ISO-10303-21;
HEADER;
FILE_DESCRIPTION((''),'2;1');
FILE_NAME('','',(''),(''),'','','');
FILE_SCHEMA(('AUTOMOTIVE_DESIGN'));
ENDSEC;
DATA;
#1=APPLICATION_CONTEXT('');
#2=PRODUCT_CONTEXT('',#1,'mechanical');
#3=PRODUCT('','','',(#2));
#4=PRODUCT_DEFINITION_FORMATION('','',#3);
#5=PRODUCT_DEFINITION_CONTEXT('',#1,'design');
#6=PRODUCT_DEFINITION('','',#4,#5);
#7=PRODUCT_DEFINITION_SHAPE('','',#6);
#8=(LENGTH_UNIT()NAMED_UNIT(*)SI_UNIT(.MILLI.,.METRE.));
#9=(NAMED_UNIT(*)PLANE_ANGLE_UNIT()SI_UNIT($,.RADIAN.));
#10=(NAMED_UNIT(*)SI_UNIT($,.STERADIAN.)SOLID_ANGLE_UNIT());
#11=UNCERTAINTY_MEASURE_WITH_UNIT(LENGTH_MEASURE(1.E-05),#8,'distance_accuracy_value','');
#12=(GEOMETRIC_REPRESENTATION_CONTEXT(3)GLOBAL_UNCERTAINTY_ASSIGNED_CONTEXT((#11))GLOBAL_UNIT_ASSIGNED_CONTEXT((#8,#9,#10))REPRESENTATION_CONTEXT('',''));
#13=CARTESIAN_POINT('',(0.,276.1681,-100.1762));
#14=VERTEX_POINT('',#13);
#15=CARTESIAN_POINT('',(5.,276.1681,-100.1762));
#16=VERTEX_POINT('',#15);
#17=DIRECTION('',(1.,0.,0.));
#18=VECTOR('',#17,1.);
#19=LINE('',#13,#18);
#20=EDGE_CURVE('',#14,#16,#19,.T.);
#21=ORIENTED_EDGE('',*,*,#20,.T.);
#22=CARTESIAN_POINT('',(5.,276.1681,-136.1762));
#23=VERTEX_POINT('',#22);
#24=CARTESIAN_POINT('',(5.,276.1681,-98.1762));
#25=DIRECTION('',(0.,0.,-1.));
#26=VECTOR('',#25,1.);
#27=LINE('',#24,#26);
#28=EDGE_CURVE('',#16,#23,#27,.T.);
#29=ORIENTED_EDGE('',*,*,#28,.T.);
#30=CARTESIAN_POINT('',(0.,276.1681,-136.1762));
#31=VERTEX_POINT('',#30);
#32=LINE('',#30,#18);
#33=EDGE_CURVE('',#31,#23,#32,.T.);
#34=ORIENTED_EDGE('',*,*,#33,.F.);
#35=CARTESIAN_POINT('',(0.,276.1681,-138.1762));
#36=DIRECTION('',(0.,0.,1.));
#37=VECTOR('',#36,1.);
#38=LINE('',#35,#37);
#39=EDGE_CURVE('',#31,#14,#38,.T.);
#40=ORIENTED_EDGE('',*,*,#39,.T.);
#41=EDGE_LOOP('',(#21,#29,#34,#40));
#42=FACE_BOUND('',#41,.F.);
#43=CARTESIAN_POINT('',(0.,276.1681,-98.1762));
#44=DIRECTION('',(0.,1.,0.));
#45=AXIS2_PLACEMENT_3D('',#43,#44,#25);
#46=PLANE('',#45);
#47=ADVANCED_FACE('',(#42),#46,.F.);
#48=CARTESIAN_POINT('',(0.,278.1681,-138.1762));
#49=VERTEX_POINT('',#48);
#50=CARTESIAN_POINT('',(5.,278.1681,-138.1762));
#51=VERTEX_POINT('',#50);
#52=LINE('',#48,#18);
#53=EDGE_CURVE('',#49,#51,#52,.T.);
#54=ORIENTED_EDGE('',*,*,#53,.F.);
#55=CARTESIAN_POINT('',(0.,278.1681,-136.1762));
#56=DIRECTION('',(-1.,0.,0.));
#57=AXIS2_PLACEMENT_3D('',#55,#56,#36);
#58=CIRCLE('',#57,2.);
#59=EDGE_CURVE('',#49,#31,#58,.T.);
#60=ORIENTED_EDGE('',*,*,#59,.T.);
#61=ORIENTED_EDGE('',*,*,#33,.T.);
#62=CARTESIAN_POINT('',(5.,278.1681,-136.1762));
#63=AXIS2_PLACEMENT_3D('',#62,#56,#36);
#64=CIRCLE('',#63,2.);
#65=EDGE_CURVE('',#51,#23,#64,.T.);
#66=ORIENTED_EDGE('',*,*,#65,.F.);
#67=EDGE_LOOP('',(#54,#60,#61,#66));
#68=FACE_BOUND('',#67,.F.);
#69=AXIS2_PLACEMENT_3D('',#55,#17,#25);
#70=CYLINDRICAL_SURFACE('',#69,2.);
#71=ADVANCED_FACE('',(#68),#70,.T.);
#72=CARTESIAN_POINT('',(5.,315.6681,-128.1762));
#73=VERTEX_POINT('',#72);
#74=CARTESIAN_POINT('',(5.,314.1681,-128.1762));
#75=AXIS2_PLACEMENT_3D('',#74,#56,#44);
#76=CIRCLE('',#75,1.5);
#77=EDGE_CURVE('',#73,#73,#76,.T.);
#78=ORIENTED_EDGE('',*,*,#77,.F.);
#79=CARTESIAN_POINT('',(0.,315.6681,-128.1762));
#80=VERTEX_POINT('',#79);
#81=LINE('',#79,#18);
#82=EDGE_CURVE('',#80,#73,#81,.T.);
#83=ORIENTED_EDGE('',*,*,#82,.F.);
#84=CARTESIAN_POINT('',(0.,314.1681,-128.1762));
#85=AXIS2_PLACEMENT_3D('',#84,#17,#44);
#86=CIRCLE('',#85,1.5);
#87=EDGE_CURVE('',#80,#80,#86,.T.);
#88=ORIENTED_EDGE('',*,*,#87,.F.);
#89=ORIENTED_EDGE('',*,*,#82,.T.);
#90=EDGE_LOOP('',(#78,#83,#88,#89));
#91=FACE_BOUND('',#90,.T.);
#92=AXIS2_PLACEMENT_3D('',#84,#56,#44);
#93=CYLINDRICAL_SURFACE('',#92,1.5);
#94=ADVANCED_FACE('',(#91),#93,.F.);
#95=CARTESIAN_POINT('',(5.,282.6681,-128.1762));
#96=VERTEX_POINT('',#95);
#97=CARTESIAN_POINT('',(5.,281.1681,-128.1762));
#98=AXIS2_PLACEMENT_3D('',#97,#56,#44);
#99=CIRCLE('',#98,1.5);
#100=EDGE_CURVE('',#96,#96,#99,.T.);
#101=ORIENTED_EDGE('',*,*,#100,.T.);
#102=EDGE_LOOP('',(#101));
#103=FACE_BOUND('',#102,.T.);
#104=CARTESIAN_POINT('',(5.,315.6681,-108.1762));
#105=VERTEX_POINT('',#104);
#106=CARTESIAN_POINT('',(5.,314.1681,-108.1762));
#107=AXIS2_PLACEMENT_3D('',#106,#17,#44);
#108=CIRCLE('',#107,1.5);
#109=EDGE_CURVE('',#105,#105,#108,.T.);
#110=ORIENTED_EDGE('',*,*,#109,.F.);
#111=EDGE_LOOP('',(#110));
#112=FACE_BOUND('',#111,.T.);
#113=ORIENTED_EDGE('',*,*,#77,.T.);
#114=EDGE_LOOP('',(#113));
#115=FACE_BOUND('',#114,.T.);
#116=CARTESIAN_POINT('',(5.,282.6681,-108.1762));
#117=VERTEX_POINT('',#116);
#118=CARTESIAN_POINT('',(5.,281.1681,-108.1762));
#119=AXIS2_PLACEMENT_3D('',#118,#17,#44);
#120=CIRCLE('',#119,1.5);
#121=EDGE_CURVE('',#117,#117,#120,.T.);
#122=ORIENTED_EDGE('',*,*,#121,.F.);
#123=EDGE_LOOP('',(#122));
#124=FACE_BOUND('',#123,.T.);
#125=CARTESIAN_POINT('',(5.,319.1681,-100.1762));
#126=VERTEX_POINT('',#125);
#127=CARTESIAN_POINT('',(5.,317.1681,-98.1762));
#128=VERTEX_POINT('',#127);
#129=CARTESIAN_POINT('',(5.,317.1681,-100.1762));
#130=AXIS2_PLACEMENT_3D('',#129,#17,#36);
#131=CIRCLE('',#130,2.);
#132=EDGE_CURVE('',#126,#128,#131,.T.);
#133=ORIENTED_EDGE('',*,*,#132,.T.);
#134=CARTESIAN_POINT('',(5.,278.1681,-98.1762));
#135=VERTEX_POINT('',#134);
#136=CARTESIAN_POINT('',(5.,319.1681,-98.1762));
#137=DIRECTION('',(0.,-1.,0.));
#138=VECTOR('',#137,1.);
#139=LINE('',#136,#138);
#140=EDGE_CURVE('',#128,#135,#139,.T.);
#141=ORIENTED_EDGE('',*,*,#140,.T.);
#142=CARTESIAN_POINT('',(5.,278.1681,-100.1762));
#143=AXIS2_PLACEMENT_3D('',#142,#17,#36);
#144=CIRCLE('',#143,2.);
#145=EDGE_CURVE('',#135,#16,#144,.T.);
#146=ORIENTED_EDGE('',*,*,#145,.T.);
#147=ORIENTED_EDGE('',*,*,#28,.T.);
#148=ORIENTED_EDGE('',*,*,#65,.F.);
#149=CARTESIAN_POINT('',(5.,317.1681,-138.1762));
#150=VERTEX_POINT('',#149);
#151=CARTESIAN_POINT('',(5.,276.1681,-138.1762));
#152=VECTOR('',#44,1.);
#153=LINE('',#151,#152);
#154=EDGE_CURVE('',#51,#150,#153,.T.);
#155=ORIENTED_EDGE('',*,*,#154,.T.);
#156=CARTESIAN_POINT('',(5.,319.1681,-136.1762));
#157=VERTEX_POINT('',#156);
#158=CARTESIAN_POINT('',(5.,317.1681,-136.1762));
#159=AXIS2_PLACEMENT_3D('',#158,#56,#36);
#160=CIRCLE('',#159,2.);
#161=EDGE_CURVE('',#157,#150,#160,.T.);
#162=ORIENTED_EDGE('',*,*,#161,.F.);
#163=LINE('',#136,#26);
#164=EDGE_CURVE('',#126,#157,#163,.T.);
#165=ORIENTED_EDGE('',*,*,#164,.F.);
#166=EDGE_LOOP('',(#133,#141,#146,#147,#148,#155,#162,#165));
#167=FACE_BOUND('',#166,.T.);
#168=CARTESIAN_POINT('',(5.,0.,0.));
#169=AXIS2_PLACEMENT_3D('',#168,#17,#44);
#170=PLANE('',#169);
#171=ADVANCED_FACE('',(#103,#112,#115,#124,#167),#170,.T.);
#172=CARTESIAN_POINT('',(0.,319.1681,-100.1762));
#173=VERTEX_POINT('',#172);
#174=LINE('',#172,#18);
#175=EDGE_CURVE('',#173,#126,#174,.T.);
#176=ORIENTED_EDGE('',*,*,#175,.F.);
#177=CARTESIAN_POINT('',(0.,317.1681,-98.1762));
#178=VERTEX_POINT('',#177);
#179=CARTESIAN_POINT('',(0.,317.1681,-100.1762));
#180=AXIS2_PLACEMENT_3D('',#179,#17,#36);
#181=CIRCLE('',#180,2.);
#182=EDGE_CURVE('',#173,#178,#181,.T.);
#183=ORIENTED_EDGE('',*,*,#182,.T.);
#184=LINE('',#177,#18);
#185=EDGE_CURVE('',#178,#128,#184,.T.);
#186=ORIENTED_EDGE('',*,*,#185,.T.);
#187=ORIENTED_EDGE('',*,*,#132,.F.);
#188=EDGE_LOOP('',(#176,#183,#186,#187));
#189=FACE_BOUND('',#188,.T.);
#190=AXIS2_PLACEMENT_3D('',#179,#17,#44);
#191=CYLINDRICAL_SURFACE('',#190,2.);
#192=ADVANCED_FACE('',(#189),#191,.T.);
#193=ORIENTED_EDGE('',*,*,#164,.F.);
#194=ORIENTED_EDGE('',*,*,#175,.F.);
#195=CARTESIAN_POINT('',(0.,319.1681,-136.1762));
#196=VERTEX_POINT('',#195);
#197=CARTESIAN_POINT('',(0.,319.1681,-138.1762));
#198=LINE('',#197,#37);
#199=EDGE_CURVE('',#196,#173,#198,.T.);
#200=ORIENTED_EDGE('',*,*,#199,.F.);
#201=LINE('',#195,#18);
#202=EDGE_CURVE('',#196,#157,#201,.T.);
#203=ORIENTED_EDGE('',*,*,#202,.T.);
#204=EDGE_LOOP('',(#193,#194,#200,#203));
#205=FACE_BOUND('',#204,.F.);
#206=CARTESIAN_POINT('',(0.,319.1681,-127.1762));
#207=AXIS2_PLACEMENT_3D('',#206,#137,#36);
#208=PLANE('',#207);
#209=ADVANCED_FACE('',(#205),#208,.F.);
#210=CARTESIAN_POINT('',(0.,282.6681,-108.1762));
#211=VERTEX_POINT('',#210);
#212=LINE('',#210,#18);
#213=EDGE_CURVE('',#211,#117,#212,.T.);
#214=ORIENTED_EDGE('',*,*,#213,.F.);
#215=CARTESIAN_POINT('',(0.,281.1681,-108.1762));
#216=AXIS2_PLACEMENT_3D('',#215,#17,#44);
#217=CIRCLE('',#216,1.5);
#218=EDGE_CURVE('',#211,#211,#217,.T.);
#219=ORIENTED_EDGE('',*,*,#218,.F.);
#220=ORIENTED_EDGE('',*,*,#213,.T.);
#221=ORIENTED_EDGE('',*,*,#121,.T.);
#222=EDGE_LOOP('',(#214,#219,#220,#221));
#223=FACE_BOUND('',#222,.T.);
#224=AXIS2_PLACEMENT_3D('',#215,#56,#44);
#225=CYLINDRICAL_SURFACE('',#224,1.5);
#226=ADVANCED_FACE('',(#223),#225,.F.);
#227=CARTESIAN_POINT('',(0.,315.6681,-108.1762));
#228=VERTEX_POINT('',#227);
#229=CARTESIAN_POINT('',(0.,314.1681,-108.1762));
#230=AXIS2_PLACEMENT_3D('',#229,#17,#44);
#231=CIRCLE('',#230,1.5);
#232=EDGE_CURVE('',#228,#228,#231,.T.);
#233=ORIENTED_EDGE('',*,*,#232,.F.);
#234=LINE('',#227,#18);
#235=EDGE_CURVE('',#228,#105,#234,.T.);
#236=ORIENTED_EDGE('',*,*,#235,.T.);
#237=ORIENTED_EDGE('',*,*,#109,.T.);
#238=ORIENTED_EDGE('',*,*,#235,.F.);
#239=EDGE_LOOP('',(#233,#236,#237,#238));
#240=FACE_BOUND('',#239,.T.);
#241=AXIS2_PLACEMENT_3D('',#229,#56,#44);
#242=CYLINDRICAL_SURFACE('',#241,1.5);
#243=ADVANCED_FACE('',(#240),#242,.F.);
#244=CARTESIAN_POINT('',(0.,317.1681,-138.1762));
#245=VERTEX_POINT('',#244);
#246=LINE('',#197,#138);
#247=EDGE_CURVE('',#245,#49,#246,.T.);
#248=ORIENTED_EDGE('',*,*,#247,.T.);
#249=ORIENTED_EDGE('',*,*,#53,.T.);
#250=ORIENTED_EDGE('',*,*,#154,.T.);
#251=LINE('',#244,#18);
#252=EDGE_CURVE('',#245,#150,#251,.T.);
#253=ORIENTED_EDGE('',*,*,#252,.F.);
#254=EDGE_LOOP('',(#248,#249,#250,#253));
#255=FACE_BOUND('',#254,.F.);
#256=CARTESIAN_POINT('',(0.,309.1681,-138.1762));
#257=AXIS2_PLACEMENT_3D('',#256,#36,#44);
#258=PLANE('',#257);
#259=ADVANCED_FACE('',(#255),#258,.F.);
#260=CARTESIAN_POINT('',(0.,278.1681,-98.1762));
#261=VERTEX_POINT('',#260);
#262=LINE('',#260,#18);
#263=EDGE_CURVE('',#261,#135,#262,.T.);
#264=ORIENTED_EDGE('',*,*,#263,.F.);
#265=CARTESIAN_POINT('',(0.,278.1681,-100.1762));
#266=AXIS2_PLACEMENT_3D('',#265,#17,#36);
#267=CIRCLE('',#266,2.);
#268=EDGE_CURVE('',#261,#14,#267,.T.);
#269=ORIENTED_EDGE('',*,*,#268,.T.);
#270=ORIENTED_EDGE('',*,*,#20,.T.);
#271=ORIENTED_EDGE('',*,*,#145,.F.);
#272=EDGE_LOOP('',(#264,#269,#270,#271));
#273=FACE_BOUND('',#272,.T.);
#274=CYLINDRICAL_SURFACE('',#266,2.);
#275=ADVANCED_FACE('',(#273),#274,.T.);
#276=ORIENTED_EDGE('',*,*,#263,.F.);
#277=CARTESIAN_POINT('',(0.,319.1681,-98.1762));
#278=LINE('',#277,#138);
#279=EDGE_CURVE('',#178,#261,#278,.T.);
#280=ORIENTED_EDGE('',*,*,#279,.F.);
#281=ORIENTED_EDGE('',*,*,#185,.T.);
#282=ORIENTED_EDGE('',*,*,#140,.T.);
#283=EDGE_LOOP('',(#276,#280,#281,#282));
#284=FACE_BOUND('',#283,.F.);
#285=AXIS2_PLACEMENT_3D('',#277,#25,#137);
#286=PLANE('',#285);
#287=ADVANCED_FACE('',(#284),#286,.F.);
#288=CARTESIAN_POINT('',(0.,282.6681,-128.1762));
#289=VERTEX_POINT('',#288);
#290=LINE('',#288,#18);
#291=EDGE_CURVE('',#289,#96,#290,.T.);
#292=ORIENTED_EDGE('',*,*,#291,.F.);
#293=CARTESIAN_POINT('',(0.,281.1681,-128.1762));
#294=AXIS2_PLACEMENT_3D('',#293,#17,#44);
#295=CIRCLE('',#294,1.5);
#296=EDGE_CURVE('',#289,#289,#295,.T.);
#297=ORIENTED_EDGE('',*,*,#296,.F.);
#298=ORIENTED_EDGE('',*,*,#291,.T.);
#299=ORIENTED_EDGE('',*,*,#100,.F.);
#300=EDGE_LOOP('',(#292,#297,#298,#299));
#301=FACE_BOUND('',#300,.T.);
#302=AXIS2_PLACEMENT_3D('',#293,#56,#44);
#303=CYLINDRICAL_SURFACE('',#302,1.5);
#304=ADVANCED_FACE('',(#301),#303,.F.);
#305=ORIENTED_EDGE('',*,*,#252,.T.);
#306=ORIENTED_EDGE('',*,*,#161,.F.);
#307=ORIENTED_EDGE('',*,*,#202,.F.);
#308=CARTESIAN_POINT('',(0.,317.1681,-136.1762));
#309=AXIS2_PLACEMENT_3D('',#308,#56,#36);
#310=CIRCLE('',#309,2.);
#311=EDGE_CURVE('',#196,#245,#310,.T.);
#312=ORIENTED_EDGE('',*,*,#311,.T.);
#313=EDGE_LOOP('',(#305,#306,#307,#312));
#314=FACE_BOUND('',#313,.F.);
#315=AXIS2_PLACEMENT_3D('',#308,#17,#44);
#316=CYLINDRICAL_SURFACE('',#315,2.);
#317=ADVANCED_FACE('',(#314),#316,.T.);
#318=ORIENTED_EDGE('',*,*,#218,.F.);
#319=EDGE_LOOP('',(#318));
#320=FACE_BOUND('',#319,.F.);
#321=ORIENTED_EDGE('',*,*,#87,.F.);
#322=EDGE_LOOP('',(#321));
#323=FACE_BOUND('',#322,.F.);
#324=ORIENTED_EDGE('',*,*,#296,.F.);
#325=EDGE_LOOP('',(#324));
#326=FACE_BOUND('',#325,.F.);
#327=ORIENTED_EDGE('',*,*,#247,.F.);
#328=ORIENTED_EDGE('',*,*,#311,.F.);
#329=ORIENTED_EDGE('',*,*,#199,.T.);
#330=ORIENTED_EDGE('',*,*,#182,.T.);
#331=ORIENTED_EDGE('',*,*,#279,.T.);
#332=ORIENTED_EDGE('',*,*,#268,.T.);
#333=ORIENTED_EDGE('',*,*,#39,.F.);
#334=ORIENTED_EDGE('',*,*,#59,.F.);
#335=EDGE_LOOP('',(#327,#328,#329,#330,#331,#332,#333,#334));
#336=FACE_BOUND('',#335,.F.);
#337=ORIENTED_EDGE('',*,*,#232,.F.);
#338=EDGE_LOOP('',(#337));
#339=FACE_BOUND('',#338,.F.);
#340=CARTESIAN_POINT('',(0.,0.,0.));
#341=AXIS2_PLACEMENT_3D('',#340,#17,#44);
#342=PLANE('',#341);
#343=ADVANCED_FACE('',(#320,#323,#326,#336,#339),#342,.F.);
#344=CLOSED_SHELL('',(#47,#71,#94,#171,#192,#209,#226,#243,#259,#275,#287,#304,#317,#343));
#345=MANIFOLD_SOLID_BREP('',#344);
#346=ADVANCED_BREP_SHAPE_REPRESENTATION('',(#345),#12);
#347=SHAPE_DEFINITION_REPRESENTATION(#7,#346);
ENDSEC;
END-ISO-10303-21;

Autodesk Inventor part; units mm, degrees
ref_plane "YZ Plane" through (0, 0, 0) normal (1, 0, 0) x (0, 1, 0)
ref_plane "XZ Plane" through (0, 0, 0) normal (0, 1, 0) x (-1, 0, 0)
ref_plane "XY Plane" through (0, 0, 0) normal (0, 0, 1) x (1, 0, 0)
sketch "スケッチ2" plane through (0, 0, 0) normal (1, 0, 0) x (0, 1, 0)
  line L0 (-303.8319, -112.1762) -> (-303.8319, -45.1762)
  line L1 (-303.8319, -98.1762) -> (-260.8319, -98.1762)
  line L2 (-260.8319, -98.1762) -> (-260.8319, -138.1762)
  line L3 (-260.8319, -138.1762) -> (-303.8319, -138.1762)
  line L4 (-303.8319, -138.1762) -> (-303.8319, -98.1762)
  line L5 (-260.8319, -97.1762) -> (-260.8319, -127.1762)
  line L6 (-303.8319, -97.1762) -> (-260.8319, -97.1762)
  line L7 (-303.8319, -127.1762) -> (-303.8319, -60.1762)
  line L8 (-303.8319, -118.1762) -> (-260.8319, -118.1762)
  circle A0 centre (-298.8319, -128.1762) radius 1.5
  line L9 (-282.3319, -138.1762) -> (-282.3319, -98.1762)
  circle A1 centre (-298.8319, -108.1762) radius 1.5
  circle A2 centre (-265.8319, -108.1762) radius 1.5
  circle A3 centre (-265.8319, -128.1762) radius 1.5
  line L10 (-303.8319, -127.1762) -> (-293.8319, -127.1762)
  line L11 (-293.8319, -127.1762) -> (-293.8319, -138.1762)
  line L12 (-293.8319, -138.1762) -> (-303.8319, -138.1762)
  line L13 (-303.8319, -138.1762) -> (-303.8319, -127.1762)
  line L14 (-270.8319, -127.1762) -> (-270.8319, -60.1762)
  line L15 (-260.8319, -138.1762) -> (-270.8319, -138.1762)
  line L16 (-270.8319, -138.1762) -> (-270.8319, -127.1762)
  line L17 (-270.8319, -127.1762) -> (-260.8319, -127.1762)
  line L18 (-260.8319, -127.1762) -> (-260.8319, -138.1762)
  line L19 (-169.3319, 147.8238) -> (184.6681, 147.8238)
  line L20 (7.6681, 147.8238) -> (7.6681, -98.1762)
  line L21 (319.1681, -98.1762) -> (276.1681, -98.1762)
  line L22 (319.1681, -138.1762) -> (319.1681, -98.1762)
  line L23 (276.1681, -138.1762) -> (319.1681, -138.1762)
  line L24 (309.1681, -127.1762) -> (309.1681, -138.1762)
  line L25 (319.1681, -127.1762) -> (309.1681, -127.1762)
  circle A4 centre (314.1681, -128.1762) radius 1.5
  circle A5 centre (314.1681, -108.1762) radius 1.5
  circle A6 centre (281.1681, -108.1762) radius 1.5
  circle A7 centre (281.1681, -128.1762) radius 1.5
  line L26 (286.1681, -127.1762) -> (276.1681, -127.1762)
  line L27 (286.1681, -138.1762) -> (286.1681, -127.1762)
  line L28 (276.1681, -98.1762) -> (276.1681, -138.1762)
  point P0 (0, 0)
  point P1 (-272.3319, -112.1762)
  point P2 (-270.8319, -138.1762)
  dimension "d11" = 40
  dimension "d12" = 0
  dimension "d13" = 1
  dimension "d14" = 20
  dimension "d15" = 3
  dimension "d16" = 5
  dimension "d17" = 10
  dimension "d18" = 10
extrude "押し出し2" add sketch "スケッチ2" along normal blind 5 contours L22 L25 A4 L24 L23 L27 L26 A7 L28 L21 | L22 L23 L24 L25 A4 | L26 A7 L27 L23 L28
fillet "フィレット2" radius 2 4 edges at (2.5, 319.1681, -98.1762) (2.5, 319.1681, -138.1762) (2.5, 276.1681, -98.1762) (2.5, 276.1681, -138.1762)
properties part number "dribl-v4-Plate-3" material "アルミニウム 6061"
